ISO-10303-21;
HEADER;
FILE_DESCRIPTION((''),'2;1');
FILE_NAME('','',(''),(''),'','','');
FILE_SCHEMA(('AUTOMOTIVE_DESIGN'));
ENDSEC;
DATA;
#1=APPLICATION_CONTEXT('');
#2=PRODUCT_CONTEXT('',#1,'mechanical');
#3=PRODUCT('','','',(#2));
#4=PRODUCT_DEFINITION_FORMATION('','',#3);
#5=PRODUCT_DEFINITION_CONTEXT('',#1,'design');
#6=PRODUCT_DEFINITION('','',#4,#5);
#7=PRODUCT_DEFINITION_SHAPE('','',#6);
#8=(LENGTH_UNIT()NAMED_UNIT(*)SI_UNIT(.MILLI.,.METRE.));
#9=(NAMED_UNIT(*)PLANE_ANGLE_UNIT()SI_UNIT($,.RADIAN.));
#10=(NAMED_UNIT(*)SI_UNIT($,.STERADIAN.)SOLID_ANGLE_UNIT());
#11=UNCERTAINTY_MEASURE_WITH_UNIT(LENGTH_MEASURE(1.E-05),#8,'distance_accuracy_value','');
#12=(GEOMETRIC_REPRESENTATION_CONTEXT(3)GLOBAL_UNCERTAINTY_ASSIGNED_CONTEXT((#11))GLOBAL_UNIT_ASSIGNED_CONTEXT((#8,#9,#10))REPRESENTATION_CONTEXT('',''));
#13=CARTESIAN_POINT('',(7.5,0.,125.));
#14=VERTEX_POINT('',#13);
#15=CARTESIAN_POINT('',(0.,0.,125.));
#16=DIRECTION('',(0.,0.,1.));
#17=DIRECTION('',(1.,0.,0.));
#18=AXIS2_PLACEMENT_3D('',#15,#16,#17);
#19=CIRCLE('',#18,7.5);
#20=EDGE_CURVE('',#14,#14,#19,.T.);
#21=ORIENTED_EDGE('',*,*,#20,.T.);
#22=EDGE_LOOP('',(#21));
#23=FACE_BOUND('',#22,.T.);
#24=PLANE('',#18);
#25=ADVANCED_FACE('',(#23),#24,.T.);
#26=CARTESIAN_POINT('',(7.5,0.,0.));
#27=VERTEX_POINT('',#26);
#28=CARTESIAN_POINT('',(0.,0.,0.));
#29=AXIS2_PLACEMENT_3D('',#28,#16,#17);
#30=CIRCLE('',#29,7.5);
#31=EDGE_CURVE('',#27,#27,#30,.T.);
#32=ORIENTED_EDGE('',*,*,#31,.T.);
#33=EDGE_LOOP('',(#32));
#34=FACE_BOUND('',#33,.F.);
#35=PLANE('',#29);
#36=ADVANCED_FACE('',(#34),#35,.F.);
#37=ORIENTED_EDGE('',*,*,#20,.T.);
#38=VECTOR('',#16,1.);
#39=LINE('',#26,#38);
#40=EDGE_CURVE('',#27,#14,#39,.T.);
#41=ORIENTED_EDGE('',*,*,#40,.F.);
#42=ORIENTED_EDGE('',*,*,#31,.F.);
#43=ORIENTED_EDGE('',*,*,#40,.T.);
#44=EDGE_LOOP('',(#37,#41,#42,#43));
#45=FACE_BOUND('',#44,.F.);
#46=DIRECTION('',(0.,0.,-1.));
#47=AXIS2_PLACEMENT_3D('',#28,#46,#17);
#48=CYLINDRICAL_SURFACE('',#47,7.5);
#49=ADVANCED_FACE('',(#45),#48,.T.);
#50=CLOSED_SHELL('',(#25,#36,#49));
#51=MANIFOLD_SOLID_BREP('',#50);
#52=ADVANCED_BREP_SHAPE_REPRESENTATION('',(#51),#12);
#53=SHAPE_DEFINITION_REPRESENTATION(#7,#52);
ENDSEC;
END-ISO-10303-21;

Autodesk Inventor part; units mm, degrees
ref_plane "YZ Plane" through (0, 0, 0) normal (1, 0, 0) x (0, 1, 0)
ref_plane "XZ Plane" through (0, 0, 0) normal (0, 1, 0) x (-1, 0, 0)
ref_plane "XY Plane" through (0, 0, 0) normal (0, 0, 1) x (1, 0, 0)
sketch "스케치1" plane through (0, 0, 0) normal (0, 0, 1) x (1, 0, 0)
  circle A0 centre (0, 0) radius 7.5
  dimension "d0" = 15
extrude "돌출1" add sketch "스케치1" along normal blind 125
properties part number "pitch_shaft"
